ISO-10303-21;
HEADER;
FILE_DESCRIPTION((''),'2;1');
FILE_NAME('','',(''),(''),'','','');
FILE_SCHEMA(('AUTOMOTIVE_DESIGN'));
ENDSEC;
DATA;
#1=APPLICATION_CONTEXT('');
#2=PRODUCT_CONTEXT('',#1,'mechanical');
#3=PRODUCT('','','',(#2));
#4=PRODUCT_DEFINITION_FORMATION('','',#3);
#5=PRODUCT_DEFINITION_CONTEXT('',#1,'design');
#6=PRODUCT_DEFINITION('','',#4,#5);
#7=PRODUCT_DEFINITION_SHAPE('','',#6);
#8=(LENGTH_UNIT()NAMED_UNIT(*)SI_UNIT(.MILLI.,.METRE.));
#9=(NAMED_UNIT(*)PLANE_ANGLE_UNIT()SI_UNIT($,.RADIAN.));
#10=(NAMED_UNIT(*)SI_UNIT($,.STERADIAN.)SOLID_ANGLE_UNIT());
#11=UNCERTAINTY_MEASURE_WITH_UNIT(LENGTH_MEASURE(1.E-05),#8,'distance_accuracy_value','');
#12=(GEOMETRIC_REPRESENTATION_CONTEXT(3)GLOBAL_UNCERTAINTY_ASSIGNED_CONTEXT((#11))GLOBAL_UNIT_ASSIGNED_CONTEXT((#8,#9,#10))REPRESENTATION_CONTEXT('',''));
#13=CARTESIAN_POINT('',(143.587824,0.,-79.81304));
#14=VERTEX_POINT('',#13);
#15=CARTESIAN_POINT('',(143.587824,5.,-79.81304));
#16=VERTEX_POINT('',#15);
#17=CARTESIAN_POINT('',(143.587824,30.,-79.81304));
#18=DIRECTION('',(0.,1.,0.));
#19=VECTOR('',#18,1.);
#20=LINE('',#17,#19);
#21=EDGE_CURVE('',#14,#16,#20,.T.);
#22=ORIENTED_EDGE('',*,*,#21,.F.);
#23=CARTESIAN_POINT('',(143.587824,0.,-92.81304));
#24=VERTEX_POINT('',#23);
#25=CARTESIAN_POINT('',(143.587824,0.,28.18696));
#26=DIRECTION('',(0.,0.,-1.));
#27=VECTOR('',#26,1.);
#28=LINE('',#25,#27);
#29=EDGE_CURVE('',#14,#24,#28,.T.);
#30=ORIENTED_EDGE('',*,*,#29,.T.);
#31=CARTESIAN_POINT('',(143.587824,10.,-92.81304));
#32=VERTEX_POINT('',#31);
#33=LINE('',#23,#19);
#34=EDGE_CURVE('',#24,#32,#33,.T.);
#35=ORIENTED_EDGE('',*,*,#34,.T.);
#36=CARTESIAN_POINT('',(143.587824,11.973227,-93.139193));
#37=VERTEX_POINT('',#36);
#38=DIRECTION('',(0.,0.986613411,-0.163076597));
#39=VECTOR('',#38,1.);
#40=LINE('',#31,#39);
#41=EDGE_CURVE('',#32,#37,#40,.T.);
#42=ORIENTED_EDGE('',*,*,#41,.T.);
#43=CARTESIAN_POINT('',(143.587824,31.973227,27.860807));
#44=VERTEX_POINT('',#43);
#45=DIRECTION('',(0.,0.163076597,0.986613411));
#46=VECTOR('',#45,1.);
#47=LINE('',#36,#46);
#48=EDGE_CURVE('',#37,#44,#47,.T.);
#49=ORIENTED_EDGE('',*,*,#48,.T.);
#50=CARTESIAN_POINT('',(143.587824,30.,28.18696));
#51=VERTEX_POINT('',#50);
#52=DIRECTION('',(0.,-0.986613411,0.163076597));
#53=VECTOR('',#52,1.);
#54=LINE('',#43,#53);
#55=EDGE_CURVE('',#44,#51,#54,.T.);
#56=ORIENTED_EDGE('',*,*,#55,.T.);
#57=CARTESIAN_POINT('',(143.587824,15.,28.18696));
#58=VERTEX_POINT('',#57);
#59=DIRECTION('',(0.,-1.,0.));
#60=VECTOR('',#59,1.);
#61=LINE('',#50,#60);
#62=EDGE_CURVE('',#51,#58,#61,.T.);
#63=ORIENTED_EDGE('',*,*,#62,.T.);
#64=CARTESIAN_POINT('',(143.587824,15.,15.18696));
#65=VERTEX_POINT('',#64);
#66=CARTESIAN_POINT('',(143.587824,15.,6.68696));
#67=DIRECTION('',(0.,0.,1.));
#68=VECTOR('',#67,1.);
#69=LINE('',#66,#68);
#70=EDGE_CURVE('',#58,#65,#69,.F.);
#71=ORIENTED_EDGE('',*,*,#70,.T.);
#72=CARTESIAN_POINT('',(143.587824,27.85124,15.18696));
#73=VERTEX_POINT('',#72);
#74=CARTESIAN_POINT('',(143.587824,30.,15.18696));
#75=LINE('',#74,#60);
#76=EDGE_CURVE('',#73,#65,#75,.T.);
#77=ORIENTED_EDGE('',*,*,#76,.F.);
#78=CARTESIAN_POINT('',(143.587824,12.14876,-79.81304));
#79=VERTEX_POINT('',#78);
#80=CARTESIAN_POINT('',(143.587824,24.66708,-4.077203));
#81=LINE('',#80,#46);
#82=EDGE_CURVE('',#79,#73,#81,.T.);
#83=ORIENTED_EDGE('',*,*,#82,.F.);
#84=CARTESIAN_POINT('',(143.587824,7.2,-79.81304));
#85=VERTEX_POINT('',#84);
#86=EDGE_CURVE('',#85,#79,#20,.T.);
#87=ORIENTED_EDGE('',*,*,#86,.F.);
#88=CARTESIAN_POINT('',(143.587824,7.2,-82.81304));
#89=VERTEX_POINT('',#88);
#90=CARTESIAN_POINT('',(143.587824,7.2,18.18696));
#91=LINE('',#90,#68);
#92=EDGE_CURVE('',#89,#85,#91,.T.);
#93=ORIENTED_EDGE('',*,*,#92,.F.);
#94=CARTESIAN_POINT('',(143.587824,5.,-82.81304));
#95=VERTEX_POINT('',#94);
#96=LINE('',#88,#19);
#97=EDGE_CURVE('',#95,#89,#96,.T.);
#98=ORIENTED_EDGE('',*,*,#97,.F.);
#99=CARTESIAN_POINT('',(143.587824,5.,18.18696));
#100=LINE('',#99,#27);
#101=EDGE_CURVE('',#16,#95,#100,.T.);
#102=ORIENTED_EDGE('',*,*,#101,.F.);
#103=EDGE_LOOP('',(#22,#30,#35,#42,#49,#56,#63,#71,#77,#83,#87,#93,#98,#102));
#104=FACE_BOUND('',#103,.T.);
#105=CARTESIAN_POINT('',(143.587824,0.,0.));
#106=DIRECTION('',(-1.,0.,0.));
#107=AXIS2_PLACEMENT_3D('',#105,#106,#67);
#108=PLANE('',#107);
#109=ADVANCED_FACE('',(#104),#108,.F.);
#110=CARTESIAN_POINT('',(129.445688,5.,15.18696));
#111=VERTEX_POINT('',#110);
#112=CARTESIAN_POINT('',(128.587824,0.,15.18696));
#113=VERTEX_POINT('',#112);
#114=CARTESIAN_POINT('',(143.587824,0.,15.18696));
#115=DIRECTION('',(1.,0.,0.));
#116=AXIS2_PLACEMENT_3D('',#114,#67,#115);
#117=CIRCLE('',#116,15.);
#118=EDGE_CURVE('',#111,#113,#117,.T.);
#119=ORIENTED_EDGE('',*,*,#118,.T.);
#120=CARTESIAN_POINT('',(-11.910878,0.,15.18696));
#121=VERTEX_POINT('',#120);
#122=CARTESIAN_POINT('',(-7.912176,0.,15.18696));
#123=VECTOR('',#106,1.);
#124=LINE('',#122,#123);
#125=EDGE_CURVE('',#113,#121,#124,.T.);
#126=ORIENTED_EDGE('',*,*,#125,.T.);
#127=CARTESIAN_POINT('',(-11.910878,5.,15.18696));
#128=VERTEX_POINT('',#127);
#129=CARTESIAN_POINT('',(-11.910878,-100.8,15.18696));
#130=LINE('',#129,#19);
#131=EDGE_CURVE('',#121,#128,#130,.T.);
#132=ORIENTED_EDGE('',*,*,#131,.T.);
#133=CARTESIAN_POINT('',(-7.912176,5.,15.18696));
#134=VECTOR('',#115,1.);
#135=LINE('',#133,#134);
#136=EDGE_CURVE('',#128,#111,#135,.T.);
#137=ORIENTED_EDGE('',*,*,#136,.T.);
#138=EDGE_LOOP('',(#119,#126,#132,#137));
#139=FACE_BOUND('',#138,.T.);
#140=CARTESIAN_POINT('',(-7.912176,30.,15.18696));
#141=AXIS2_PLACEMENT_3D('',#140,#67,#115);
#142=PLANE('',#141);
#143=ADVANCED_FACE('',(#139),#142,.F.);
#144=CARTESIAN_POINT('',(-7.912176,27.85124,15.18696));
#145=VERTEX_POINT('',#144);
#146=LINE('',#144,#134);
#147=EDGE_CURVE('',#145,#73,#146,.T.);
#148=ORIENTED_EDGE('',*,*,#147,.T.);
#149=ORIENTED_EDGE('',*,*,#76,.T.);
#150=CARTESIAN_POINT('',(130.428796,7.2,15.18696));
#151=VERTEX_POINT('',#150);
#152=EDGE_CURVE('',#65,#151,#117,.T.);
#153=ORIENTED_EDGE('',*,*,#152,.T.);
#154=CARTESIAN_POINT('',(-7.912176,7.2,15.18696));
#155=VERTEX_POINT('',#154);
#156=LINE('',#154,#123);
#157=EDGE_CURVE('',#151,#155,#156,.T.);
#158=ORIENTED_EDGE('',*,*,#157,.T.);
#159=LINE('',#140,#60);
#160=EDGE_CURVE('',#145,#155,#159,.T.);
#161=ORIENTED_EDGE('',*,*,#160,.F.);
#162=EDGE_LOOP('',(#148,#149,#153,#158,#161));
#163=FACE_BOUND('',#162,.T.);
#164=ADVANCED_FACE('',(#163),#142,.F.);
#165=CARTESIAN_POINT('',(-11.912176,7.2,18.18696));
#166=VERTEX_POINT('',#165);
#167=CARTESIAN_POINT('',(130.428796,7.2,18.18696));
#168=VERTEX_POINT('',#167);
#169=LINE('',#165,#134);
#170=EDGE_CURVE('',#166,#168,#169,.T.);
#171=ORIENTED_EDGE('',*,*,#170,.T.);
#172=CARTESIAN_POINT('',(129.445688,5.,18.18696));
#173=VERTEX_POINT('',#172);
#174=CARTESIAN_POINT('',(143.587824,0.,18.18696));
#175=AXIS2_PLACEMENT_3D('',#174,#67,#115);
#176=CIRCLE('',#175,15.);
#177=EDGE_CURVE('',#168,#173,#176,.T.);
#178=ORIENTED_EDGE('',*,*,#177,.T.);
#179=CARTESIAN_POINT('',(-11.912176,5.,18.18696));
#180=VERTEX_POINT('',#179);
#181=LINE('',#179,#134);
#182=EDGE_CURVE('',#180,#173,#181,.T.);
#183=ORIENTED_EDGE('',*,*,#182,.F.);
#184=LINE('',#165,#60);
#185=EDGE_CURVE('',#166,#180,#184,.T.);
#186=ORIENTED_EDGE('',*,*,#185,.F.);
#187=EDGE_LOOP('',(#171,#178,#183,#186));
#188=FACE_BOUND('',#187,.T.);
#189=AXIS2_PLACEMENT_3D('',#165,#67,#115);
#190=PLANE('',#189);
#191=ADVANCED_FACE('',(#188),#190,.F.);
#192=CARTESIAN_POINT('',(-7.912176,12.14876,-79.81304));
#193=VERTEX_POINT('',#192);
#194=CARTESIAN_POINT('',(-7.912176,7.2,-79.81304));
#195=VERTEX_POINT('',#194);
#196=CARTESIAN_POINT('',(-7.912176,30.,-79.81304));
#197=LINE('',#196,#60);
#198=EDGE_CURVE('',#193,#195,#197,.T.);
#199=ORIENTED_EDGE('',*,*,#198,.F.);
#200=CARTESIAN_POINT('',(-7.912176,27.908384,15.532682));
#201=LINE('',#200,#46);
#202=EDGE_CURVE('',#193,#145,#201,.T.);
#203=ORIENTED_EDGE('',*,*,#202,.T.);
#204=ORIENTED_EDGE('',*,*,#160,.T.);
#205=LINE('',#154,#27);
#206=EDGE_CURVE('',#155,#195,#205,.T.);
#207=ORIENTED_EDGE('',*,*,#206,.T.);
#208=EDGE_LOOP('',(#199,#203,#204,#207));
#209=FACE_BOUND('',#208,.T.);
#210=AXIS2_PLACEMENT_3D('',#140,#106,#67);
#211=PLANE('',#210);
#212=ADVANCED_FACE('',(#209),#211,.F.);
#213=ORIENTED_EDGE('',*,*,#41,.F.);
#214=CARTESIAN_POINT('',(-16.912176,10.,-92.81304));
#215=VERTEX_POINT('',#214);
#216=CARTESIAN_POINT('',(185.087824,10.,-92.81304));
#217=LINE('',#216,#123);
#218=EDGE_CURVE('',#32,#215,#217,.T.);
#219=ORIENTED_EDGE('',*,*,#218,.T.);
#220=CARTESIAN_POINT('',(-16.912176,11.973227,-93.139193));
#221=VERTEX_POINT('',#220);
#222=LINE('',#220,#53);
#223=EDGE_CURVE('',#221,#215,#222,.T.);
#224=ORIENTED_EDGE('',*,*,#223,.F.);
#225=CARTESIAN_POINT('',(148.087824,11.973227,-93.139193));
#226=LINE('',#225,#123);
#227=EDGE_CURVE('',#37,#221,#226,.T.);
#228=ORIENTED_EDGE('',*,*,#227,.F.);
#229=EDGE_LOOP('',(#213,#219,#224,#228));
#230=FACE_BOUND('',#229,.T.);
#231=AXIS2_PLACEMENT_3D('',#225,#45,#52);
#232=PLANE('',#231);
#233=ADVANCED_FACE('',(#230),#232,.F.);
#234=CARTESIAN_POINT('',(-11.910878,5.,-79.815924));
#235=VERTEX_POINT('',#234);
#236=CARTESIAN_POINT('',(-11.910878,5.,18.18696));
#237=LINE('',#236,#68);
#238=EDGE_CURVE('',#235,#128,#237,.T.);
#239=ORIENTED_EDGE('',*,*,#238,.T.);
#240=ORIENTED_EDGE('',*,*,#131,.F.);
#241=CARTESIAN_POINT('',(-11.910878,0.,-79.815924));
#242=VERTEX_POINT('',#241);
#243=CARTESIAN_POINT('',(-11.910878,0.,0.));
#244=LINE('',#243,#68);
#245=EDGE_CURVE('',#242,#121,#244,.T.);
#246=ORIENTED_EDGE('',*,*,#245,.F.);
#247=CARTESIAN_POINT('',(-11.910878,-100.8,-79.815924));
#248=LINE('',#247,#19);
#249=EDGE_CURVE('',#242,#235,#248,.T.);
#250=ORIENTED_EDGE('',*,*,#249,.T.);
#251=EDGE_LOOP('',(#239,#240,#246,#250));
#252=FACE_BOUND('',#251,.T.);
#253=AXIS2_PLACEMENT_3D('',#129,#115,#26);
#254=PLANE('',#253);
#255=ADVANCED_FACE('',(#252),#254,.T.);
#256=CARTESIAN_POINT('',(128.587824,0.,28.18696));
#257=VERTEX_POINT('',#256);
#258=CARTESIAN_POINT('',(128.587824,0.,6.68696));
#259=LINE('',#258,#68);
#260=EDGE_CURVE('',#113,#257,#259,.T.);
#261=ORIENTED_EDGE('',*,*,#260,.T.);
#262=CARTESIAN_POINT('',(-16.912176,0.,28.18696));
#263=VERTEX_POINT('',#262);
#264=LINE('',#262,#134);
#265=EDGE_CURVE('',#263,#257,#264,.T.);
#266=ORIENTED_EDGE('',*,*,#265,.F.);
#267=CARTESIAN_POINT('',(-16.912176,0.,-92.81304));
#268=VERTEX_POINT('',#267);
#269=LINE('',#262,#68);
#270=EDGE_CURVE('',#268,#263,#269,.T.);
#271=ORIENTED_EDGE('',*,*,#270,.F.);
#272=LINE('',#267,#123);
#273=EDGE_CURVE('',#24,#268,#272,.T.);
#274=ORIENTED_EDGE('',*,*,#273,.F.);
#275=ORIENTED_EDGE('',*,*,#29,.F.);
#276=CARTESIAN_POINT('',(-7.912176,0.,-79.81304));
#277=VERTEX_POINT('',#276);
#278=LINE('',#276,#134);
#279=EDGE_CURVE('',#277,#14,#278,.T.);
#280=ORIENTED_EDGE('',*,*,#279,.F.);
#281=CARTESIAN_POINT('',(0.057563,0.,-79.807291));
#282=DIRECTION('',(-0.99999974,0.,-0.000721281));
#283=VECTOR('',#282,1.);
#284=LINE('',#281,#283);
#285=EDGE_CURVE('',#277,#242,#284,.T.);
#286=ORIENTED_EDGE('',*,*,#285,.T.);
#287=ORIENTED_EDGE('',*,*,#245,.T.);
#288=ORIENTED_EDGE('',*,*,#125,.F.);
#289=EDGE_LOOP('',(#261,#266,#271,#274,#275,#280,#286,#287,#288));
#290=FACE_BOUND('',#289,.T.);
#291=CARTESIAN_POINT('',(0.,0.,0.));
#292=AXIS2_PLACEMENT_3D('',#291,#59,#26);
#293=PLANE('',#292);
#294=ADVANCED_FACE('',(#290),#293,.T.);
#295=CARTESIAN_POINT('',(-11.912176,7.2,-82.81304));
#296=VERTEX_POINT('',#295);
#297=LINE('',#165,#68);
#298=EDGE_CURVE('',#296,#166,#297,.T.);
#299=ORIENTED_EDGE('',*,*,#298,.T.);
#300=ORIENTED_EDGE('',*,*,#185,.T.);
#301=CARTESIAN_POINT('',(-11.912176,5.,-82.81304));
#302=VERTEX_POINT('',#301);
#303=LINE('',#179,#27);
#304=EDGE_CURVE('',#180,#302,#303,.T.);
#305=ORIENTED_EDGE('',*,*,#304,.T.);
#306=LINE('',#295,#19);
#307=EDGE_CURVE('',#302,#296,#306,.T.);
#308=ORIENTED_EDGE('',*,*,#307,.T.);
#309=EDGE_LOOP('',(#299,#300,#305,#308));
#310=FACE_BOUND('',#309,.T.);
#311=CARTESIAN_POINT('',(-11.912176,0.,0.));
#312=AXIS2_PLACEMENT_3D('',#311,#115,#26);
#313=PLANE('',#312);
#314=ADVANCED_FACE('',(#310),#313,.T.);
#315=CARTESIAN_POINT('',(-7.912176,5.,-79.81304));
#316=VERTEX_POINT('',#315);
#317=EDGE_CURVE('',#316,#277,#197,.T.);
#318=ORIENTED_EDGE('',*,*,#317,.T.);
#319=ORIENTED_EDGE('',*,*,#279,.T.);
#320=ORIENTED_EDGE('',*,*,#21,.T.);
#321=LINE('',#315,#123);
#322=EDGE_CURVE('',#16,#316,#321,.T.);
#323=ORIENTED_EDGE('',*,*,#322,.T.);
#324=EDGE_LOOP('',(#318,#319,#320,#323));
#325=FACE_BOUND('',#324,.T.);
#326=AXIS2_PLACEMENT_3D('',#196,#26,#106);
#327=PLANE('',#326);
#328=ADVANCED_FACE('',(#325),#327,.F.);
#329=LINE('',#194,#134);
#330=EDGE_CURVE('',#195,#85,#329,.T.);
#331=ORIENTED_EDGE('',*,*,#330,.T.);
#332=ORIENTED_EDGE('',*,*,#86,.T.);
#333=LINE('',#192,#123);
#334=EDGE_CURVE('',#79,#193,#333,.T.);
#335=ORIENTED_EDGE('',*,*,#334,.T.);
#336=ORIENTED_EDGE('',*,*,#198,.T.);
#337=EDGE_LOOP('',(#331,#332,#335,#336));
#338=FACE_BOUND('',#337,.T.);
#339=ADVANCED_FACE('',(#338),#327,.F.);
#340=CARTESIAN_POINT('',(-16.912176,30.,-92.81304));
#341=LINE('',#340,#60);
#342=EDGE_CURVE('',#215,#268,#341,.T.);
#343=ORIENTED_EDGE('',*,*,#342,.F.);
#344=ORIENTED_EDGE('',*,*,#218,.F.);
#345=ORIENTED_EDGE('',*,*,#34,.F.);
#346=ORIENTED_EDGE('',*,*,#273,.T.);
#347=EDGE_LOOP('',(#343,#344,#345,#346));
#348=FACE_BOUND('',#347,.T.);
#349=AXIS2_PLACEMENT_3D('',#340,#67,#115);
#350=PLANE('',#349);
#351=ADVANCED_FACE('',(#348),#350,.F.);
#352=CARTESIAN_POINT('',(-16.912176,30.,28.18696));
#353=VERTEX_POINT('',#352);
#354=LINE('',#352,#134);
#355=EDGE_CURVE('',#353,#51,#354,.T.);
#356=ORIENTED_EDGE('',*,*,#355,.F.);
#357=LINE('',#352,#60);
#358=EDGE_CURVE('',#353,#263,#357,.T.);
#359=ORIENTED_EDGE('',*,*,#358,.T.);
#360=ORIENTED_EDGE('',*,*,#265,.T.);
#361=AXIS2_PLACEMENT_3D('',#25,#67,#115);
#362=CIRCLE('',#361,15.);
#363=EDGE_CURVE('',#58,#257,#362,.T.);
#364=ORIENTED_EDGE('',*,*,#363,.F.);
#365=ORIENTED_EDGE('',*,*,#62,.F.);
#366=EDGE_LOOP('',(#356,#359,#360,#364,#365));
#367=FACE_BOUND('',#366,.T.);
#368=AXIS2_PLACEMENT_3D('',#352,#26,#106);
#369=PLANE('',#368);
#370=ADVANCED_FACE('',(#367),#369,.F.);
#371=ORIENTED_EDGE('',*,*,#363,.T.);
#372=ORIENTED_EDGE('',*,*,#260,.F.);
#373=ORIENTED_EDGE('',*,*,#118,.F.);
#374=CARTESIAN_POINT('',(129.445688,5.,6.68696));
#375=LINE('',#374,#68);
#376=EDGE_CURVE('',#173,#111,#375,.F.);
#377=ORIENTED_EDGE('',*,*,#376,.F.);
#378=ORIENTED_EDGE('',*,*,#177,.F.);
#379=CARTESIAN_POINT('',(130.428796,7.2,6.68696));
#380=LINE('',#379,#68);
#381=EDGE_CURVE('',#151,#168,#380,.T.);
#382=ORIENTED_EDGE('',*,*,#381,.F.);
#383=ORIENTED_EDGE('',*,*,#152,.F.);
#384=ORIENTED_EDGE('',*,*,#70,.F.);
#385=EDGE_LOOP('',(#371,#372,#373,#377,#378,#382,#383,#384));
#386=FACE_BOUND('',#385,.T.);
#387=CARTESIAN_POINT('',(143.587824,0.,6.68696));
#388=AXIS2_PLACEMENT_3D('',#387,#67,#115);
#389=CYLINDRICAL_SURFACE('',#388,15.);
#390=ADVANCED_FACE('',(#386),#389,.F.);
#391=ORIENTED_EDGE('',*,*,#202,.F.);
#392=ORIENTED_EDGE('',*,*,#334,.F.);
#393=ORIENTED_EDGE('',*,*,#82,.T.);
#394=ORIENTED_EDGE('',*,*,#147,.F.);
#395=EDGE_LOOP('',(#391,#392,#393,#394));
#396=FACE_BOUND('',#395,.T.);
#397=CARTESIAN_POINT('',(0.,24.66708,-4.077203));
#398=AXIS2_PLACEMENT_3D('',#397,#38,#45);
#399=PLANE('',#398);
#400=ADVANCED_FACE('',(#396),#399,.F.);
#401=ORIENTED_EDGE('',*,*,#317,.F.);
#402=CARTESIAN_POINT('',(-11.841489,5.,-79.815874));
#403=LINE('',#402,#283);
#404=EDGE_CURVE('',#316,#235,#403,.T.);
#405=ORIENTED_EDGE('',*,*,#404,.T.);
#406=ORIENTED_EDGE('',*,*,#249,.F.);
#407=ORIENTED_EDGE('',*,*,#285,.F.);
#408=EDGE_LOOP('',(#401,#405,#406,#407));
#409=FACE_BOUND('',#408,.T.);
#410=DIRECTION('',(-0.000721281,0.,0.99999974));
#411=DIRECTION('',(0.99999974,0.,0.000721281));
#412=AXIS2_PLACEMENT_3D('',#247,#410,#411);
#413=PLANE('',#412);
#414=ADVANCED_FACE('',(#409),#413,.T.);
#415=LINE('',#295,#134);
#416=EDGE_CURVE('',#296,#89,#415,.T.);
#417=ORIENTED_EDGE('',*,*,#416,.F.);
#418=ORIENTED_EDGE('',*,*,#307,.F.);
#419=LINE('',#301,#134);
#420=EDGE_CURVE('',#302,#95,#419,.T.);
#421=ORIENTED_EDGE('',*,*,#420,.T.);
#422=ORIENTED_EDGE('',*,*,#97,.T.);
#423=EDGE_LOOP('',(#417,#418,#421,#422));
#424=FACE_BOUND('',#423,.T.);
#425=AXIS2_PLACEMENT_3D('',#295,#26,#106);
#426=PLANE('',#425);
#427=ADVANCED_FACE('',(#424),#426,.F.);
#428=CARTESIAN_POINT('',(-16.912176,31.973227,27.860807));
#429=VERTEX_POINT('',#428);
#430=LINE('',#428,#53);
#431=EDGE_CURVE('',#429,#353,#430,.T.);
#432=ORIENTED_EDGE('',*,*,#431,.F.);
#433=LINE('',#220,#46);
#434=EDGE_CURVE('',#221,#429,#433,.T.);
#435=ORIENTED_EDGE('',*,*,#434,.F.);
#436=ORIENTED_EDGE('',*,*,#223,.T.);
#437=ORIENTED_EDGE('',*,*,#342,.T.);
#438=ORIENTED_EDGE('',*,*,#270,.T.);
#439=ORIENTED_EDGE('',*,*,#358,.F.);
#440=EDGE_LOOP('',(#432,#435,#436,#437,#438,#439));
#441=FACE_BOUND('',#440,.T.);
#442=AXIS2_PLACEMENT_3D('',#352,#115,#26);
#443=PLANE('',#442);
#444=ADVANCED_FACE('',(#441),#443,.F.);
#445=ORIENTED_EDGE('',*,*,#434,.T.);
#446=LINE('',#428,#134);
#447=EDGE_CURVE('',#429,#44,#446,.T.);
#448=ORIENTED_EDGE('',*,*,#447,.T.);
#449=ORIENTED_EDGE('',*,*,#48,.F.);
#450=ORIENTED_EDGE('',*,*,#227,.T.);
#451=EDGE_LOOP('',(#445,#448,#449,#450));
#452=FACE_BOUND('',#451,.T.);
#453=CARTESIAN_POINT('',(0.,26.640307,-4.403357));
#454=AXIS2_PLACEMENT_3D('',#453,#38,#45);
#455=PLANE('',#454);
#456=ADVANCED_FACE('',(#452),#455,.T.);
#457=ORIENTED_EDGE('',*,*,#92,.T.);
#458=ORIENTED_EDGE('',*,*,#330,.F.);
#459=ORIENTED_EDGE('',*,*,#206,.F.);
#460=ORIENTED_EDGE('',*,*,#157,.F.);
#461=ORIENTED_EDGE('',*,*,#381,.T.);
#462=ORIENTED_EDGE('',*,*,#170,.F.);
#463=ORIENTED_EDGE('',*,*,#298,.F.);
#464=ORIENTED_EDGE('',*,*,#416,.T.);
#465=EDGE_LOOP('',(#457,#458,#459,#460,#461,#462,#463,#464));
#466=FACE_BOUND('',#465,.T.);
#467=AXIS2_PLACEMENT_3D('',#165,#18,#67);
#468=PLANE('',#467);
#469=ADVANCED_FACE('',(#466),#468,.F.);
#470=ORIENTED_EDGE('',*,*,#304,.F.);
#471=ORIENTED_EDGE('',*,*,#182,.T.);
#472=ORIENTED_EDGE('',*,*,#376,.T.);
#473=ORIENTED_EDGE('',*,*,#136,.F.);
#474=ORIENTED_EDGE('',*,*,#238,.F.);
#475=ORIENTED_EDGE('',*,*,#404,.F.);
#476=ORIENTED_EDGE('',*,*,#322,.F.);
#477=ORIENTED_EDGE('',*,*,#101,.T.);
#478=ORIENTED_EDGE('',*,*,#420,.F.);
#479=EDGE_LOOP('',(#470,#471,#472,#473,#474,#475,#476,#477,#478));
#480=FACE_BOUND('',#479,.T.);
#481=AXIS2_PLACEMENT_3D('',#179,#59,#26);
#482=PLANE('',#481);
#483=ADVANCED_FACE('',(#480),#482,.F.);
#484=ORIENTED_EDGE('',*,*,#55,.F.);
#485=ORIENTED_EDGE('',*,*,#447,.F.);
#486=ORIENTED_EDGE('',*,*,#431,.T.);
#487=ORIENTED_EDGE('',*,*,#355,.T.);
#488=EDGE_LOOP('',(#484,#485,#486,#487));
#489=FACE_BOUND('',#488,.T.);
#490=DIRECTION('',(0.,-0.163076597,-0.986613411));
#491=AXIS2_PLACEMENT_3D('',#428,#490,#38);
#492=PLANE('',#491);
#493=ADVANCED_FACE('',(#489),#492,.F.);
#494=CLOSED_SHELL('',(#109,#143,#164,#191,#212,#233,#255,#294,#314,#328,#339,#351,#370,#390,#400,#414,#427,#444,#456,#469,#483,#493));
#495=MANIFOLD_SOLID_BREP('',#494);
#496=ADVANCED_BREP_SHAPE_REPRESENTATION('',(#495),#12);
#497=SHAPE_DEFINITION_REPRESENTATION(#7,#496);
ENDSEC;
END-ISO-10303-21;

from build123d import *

# Parameters (mm, degrees)
BOSS_EXTRUDE1_DEPTH = 30
SKETCH2_W           = 101
SKETCH2_H           = 2.2
CUT_EXTRUDE1_DEPTH  = 160
CUT_EXTRUDE2_DEPTH  = 108
CUT_EXTRUDE3_DEPTH  = 202
SKETCH6_W           = 165
SKETCH6_H           = 122.641754717
BOSS_EXTRUDE2_DEPTH = 2
SKETCH7_R           = 15
CUT_EXTRUDE4_DEPTH  = 22
CUT_EXTRUDE5_DEPTH  = 4.5
CUT_EXTRUDE6_DEPTH  = 21.5


with BuildPart() as part:
    # Sketch1 → Boss-Extrude1 (new body)
    with BuildSketch(Plane(origin=(0, 0, 0), x_dir=(1, 0, 0), z_dir=(0, 1, 0))):
        Polygon((-7.912176277, -15.186960462), (-7.912176277, 79.813039538), (148.087823723, 79.813039538), (148.087823723, 92.813039538), (-16.912176277, 92.813039538), (-16.912176277, -28.186960462), (148.087823723, -28.186960462), (148.087823723, -15.186960462), align=None)
    extrude(amount=BOSS_EXTRUDE1_DEPTH)

    # Sketch2 → Cut-Extrude1 (cut)
    with BuildSketch(Plane(origin=(148.087823723, 0, 0), x_dir=(0, 0, -1), z_dir=(1, 0, 0))):
        with Locations((32.313039538, 6.1)):
            Rectangle(SKETCH2_W, SKETCH2_H)
    extrude(amount=-CUT_EXTRUDE1_DEPTH, mode=Mode.SUBTRACT)

    # Sketch4 → Cut-Extrude2 (cut)
    with BuildSketch(Plane.XZ.offset(-7.2)):
        Polygon((-7.912176277, 15.186960462), (-11.910877917, 15.186960462), (-11.910877917, -79.815923725), (-7.912176277, -79.813039538), align=None)
    extrude(amount=CUT_EXTRUDE2_DEPTH, mode=Mode.SUBTRACT)

    # Sketch5 → Cut-Extrude3 (cut)
    with BuildSketch(Plane.ZY.offset(16.912176277)):
        Polygon((-92.813039538, 10), (-92.813039538, 30), (28.186960462, 30), align=None)
    extrude(amount=-CUT_EXTRUDE3_DEPTH, mode=Mode.SUBTRACT)

    # Sketch6 → Boss-Extrude2 (add)
    with BuildSketch(Plane(origin=(0, 24.667080359, -4.077203365), x_dir=(1, 0, 0), z_dir=(0, 0.986613411390535, -0.16307659692405538))):
        with Locations((65.587823723, 28.618946233)):
            Rectangle(SKETCH6_W, SKETCH6_H)
    extrude(amount=BOSS_EXTRUDE2_DEPTH)

    # Sketch7 → Cut-Extrude4 (cut)
    with BuildSketch(Plane.XY.offset(28.186960462)):
        with Locations((148.087823723, 0)):
            Circle(SKETCH7_R)
    extrude(amount=-CUT_EXTRUDE4_DEPTH, mode=Mode.SUBTRACT)

    # Sketch8 → Cut-Extrude5 (cut)
    with BuildSketch(Plane(origin=(148.087823723, 0, 0), x_dir=(0, 0, -1), z_dir=(1, 0, 0))):
        Polygon((-28.186960462, 30), (-28.186960462, 0), (92.813039538, 0), (92.813039538, 10), (93.139192732, 11.973226823), (-27.860807268, 31.973226823), align=None)
    extrude(amount=-CUT_EXTRUDE5_DEPTH, mode=Mode.SUBTRACT)

    # Sketch9 → Cut-Extrude6 (cut)
    with BuildSketch(Plane.XY.offset(28.186960462)):
        with BuildLine():
            Line((133.087823723, 0), (143.587823723, 0))
            Line((143.587823723, 0), (143.587823723, 14.309088021))
            Line((143.587823723, 14.309088021), (143.587823723, 15))
            ThreePointArc((143.587823723, 15), (132.981222005, 10.606601718), (128.587823723, 0))
            Line((128.587823723, 0), (133.087823723, 0))
        make_face()
    extrude(amount=-CUT_EXTRUDE6_DEPTH, mode=Mode.SUBTRACT)


solid = part.part
